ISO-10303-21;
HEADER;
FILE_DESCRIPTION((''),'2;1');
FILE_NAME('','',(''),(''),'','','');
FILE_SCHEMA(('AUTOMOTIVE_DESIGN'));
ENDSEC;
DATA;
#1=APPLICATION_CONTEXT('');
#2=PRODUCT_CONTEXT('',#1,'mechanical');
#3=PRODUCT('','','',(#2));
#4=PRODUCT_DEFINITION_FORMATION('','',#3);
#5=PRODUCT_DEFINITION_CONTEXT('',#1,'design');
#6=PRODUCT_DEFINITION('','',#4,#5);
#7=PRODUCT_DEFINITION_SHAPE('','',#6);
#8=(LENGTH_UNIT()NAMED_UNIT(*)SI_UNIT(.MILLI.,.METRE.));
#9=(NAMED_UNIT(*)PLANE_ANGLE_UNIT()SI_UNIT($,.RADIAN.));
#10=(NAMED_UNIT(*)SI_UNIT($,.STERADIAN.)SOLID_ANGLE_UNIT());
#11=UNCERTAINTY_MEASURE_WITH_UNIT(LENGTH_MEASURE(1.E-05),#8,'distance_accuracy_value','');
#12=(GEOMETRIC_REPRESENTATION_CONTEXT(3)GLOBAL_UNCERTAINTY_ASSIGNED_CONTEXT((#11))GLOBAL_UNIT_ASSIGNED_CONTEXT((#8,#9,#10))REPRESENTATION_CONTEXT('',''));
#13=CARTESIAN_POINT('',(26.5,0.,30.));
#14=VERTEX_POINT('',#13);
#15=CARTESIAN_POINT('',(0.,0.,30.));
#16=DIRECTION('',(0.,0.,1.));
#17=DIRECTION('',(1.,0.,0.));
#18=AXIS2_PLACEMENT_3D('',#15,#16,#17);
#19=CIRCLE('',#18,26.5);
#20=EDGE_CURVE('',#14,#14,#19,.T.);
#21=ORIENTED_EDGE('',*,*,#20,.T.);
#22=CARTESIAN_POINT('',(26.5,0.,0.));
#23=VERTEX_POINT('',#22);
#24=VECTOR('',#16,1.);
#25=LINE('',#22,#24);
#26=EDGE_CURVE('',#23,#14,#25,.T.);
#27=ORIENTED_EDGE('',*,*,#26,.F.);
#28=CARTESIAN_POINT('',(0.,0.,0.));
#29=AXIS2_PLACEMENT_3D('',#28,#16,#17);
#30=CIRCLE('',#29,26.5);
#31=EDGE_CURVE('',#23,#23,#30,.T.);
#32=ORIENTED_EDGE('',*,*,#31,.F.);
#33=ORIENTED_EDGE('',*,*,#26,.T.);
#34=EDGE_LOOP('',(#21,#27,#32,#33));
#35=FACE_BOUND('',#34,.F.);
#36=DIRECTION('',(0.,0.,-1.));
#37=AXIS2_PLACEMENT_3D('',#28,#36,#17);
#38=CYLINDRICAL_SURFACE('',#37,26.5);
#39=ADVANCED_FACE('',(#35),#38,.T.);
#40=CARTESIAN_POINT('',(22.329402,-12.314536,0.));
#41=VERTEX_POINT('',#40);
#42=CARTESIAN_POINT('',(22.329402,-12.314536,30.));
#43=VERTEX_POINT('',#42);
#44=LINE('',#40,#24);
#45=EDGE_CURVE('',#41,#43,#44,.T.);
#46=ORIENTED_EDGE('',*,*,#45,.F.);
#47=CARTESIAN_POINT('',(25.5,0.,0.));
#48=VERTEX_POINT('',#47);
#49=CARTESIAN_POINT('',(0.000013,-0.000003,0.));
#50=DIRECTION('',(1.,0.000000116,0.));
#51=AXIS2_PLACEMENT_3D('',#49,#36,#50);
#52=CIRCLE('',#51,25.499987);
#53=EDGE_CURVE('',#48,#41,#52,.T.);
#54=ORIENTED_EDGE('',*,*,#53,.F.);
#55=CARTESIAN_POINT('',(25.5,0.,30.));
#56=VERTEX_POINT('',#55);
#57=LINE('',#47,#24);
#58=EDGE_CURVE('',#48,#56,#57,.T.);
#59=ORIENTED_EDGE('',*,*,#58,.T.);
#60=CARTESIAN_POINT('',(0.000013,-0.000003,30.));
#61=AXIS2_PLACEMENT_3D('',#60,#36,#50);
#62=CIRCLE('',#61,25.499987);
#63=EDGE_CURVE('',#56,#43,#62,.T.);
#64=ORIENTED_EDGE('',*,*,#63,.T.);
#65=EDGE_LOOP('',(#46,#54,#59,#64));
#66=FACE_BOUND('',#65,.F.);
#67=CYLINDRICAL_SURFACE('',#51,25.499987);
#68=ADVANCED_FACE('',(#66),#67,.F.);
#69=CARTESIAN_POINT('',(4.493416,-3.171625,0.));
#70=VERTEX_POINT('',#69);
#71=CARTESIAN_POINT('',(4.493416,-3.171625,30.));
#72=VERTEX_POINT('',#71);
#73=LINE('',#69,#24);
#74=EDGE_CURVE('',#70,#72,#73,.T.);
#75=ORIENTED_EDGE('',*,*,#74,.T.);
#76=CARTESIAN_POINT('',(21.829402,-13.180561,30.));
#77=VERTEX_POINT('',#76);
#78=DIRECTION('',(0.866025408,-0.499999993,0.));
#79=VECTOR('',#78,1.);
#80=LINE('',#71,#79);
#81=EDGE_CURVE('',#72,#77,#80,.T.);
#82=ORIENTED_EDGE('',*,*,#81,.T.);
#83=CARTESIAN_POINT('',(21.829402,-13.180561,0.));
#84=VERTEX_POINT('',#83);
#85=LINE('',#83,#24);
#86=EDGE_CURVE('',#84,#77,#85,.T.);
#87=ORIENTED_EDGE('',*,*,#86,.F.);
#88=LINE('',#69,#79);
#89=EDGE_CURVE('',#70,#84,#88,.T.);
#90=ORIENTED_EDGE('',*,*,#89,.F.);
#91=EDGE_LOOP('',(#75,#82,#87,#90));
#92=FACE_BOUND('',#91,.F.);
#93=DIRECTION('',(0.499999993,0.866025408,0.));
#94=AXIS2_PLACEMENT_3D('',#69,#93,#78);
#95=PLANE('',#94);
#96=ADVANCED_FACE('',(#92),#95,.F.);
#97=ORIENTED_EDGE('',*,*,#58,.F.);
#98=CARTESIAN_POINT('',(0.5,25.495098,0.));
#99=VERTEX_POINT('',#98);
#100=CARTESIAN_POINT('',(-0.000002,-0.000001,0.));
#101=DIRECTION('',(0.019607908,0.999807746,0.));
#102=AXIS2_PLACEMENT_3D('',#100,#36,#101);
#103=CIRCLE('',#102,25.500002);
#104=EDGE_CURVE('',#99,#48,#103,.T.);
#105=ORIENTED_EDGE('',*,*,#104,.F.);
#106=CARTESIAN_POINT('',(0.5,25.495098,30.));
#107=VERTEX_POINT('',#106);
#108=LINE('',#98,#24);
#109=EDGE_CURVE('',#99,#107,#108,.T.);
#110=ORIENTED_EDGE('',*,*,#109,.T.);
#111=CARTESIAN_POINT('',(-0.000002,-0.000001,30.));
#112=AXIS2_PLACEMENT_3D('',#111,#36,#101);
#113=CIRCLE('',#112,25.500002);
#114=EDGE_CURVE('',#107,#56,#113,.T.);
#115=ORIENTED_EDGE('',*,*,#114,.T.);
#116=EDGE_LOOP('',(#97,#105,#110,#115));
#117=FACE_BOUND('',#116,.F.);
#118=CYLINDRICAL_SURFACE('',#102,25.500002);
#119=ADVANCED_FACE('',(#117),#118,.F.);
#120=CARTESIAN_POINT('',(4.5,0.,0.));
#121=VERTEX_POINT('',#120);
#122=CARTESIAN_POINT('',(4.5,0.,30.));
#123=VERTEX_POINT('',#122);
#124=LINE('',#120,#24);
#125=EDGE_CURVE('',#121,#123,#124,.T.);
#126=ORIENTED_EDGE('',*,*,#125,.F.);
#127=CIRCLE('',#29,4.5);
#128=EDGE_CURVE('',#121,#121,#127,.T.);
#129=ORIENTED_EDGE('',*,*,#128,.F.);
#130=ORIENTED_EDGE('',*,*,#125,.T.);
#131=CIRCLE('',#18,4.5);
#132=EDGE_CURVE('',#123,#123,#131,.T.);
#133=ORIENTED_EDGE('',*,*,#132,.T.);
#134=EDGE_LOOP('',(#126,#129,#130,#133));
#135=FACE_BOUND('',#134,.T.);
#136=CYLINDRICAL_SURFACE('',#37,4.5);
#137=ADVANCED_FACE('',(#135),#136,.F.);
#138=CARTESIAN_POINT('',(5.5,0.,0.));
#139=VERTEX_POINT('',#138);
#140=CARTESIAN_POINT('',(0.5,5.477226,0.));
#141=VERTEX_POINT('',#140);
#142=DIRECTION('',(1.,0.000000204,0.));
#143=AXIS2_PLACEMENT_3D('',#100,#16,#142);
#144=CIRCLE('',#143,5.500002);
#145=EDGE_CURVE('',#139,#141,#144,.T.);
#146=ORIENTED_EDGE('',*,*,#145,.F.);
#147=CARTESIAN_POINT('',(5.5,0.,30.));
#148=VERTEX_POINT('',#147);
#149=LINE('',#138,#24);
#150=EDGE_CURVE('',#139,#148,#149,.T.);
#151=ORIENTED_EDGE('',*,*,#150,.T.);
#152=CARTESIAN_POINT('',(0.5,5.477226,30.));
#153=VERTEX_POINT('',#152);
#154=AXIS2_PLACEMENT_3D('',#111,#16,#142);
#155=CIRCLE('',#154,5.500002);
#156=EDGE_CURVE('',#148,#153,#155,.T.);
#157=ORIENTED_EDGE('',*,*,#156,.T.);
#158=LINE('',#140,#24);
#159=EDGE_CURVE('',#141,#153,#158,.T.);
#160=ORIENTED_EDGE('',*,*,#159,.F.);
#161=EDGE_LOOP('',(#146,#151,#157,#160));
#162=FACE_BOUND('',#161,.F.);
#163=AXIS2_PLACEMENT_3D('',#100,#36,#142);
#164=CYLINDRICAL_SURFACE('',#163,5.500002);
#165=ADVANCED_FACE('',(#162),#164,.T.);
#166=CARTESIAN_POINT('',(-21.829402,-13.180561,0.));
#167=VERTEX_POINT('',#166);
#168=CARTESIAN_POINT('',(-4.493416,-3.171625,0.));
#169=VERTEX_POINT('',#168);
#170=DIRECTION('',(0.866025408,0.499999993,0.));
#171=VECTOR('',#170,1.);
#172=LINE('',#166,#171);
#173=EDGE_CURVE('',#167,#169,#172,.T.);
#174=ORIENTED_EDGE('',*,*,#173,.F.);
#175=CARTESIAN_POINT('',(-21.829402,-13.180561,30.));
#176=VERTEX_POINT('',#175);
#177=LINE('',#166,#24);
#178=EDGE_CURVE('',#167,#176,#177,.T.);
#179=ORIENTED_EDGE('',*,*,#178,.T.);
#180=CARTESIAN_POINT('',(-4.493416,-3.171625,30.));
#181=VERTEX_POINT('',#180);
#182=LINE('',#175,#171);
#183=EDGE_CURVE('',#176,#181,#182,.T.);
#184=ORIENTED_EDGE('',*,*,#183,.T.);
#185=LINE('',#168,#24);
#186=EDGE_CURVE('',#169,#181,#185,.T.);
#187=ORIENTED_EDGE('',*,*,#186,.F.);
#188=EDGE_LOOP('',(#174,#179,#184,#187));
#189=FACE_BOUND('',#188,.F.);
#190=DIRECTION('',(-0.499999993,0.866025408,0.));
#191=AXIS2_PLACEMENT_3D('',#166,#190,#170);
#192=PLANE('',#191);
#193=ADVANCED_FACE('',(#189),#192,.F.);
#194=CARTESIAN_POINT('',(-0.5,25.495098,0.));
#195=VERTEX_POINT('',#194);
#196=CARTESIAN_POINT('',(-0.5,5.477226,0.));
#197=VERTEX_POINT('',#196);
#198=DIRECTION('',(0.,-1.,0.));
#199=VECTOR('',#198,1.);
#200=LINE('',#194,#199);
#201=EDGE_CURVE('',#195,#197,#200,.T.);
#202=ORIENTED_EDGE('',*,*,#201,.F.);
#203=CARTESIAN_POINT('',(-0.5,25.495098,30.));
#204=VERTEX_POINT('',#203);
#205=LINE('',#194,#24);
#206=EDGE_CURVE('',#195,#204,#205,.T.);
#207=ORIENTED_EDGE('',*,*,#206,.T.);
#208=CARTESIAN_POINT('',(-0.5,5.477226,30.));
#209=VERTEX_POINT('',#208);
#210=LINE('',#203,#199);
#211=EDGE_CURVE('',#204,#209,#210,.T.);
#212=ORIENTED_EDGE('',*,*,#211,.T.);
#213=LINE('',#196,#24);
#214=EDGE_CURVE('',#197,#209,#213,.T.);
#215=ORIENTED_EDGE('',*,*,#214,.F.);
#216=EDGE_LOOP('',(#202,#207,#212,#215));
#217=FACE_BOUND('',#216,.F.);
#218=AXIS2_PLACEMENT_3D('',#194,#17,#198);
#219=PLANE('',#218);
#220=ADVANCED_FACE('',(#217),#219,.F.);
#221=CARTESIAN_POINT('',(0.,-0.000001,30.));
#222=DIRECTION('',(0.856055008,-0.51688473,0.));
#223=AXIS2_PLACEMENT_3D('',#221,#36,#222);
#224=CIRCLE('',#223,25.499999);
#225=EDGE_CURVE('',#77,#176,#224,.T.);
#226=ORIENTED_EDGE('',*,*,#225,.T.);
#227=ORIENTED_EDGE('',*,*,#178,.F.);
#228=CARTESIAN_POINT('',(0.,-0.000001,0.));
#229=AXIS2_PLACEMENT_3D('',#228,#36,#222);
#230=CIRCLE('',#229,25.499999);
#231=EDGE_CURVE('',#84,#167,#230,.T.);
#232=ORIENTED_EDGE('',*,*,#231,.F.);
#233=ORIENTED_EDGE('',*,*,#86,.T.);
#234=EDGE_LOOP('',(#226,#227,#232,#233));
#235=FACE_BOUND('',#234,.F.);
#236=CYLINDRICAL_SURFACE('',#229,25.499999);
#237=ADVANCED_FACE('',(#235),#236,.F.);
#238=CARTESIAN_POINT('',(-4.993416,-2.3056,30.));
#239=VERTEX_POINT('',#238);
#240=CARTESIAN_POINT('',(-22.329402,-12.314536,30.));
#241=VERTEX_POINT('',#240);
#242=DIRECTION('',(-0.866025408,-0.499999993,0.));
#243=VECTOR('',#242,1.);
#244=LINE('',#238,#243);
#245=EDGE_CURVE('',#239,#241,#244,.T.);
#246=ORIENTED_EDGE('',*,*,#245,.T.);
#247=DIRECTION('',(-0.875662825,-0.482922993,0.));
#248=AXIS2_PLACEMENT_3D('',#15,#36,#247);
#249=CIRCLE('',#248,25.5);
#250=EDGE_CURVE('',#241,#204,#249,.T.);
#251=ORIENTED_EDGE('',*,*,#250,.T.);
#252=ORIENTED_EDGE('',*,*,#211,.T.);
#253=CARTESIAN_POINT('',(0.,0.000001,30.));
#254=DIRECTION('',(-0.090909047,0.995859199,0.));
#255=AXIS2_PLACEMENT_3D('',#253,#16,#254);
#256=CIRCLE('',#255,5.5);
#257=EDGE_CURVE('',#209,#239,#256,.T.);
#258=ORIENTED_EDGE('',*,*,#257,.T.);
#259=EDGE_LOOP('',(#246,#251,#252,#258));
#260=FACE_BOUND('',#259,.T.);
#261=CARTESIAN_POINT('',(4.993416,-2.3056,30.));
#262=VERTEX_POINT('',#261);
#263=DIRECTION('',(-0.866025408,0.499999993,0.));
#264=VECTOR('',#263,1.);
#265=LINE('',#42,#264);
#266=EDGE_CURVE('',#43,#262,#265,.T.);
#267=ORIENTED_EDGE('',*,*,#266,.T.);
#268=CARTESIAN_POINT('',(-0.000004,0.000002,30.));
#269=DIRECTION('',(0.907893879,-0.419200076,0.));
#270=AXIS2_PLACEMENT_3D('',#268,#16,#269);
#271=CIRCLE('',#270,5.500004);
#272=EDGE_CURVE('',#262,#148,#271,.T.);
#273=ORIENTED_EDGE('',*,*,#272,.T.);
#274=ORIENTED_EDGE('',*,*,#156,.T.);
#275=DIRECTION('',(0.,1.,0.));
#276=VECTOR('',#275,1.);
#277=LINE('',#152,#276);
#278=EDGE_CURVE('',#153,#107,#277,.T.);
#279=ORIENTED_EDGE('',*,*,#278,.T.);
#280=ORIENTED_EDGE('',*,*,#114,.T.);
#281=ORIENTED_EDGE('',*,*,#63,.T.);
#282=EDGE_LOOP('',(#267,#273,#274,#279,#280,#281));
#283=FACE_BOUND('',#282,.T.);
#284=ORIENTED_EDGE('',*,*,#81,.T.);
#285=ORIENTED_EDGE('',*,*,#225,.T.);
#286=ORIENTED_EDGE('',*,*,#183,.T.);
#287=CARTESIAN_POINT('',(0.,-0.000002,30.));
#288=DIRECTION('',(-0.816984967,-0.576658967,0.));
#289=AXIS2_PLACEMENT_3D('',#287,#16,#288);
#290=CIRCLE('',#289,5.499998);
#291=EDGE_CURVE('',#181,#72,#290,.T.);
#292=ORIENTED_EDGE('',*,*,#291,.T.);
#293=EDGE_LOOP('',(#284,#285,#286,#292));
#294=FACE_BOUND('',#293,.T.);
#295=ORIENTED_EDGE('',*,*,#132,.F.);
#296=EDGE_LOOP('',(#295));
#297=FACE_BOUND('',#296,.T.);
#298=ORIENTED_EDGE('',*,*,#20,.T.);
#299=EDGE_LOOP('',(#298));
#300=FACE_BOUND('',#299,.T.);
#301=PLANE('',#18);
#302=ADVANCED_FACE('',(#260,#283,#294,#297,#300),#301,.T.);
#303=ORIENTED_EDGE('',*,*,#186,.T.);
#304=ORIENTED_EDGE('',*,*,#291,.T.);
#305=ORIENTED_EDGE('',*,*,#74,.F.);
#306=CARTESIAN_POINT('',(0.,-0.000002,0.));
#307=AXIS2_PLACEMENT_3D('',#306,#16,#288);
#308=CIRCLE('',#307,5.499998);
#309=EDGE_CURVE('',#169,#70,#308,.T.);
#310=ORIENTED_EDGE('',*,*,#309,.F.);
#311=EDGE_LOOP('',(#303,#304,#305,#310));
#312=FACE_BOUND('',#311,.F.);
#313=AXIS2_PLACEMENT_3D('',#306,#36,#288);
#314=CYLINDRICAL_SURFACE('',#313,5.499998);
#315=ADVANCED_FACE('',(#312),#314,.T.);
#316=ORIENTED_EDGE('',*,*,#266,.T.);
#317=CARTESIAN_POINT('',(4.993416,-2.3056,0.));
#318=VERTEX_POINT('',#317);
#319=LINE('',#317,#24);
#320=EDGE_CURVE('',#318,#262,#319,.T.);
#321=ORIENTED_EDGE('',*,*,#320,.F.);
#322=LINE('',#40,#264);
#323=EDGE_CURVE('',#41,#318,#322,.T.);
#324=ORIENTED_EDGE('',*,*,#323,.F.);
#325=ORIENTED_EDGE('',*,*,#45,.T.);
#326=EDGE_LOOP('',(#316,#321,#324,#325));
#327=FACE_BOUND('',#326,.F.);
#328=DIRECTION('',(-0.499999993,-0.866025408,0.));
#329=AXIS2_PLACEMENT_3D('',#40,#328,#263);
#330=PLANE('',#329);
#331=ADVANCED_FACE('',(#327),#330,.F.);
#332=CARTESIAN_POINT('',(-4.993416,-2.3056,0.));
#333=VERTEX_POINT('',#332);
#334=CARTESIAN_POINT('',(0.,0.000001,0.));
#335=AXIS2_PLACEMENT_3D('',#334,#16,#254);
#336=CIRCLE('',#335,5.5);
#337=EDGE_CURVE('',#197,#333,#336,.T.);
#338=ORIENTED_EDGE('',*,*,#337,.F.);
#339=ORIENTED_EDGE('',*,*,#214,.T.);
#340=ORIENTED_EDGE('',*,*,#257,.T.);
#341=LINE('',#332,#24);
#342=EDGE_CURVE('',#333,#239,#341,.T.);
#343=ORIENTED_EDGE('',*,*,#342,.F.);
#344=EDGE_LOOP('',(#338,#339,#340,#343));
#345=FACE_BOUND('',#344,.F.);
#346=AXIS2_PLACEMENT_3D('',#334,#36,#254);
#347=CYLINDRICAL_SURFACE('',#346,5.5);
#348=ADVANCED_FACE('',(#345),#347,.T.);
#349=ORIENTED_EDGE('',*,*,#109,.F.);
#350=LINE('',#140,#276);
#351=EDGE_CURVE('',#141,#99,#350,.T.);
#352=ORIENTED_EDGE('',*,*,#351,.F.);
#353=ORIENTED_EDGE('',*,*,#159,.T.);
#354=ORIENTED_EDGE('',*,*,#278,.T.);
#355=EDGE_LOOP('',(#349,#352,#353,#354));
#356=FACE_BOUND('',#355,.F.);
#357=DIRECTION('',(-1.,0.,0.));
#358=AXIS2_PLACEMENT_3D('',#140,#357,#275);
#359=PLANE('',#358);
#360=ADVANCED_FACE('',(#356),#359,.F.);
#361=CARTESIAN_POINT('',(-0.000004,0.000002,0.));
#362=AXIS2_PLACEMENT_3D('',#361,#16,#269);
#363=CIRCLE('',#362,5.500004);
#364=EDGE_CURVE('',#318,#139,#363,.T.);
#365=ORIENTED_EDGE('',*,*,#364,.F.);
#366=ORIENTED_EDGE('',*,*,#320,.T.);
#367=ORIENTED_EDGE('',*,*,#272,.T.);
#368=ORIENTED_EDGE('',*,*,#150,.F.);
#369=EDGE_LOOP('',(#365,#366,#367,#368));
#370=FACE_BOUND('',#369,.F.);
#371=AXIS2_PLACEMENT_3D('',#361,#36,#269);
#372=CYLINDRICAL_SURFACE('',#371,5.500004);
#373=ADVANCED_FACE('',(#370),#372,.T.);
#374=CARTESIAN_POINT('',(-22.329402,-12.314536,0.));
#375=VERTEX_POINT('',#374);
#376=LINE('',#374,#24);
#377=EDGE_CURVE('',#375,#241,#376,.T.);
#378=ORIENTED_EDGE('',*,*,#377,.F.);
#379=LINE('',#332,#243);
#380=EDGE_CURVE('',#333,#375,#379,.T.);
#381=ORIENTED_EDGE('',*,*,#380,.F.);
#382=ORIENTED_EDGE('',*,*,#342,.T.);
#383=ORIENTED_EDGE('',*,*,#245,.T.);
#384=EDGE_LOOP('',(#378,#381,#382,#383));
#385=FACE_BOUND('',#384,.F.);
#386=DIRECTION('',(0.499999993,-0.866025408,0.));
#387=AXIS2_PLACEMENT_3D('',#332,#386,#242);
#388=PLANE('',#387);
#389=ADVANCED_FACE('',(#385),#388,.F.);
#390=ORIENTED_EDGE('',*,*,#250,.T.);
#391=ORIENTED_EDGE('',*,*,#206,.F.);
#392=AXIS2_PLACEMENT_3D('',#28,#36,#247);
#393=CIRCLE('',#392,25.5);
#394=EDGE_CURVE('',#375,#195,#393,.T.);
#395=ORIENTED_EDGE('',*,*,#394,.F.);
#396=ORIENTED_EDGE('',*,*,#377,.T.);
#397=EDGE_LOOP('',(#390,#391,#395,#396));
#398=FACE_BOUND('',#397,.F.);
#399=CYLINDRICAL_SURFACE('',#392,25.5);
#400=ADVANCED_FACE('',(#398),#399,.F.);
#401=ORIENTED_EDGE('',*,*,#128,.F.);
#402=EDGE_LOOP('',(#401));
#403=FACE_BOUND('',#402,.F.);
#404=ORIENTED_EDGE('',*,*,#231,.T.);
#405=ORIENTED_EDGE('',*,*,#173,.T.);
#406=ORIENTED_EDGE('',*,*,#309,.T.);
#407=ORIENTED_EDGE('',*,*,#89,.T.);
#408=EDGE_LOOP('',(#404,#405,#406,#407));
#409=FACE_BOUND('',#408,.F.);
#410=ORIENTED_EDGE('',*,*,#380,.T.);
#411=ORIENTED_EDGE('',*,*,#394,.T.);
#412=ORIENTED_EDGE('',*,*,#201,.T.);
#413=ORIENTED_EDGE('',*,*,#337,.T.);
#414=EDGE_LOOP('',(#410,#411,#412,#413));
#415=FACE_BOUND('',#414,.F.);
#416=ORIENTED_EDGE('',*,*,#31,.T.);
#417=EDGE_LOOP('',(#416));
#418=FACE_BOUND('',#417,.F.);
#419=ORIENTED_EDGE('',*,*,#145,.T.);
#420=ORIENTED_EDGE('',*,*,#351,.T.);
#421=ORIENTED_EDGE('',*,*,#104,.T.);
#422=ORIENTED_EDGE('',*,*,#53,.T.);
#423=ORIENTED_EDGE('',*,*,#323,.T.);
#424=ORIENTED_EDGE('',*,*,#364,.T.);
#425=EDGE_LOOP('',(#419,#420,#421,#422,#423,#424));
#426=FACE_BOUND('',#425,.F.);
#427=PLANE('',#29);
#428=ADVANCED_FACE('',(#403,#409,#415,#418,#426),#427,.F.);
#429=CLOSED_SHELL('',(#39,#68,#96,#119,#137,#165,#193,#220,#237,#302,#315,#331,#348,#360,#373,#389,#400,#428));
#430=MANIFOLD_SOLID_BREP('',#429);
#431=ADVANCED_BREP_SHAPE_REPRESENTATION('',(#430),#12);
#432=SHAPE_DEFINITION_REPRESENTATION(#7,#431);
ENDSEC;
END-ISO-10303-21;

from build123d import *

# Parameters (mm, degrees)
F0_R     = 26.5
F0_R_2   = 4.5
F1_DEPTH = 30


with BuildPart() as f1:
    # F0 (on Top) → F1 (new body)
    with BuildSketch(Plane.XY):
        Circle(F0_R)
        with BuildLine():
            ThreePointArc((0.5, 25.495098), (18.207141, 17.853571), (25.5, 0))
            ThreePointArc((25.5, 0), (24.694633, -6.358075), (22.329402, -12.314536))
            ThreePointArc((22.329402, -12.314536), (22.083648, -12.75), (21.829402, -13.180561))
            ThreePointArc((21.829402, -13.180561), (0, -25.5), (-21.829402, -13.180561))
            ThreePointArc((-21.829402, -13.180561), (-22.083648, -12.75), (-22.329402, -12.314536))
            ThreePointArc((-22.329402, -12.314536), (-22.083648, 12.75), (-0.5, 25.495098))
            ThreePointArc((-0.5, 25.495098), (0, 25.5), (0.5, 25.495098))
        make_face(mode=Mode.SUBTRACT)
        with BuildLine():
            ThreePointArc((5.5, 0), (4.062019, 3.708099), (0.5, 5.477226))
            ThreePointArc((0.5, 5.477226), (0, 5.5), (-0.5, 5.477226))
            ThreePointArc((-0.5, 5.477226), (-4.76314, 2.75), (-4.993416, -2.3056))
            ThreePointArc((-4.993416, -2.3056), (-4.76314, -2.75), (-4.493416, -3.171625))
            ThreePointArc((-4.493416, -3.171625), (0, -5.5), (4.493416, -3.171625))
            ThreePointArc((4.493416, -3.171625), (4.76314, -2.75), (4.993416, -2.3056))
            ThreePointArc((4.993416, -2.3056), (5.371861, -1.180299), (5.5, 0))
        make_face()
        Circle(F0_R_2, mode=Mode.SUBTRACT)
        with BuildLine():
            Line((0.5, 5.477226), (0.5, 25.495098))
            ThreePointArc((0.5, 25.495098), (0, 25.5), (-0.5, 25.495098))
            Line((-0.5, 25.495098), (-0.5, 5.477226))
            ThreePointArc((-0.5, 5.477226), (0, 5.5), (0.5, 5.477226))
        make_face()
        with BuildLine():
            Line((-4.993416, -2.3056), (-22.329402, -12.314536))
            ThreePointArc((-22.329402, -12.314536), (-22.083648, -12.75), (-21.829402, -13.180561))
            Line((-21.829402, -13.180561), (-4.493416, -3.171625))
            ThreePointArc((-4.493416, -3.171625), (-4.76314, -2.75), (-4.993416, -2.3056))
        make_face()
        with BuildLine():
            ThreePointArc((21.829402, -13.180561), (22.083648, -12.75), (22.329402, -12.314536))
            Line((22.329402, -12.314536), (4.993416, -2.3056))
            ThreePointArc((4.993416, -2.3056), (4.76314, -2.75), (4.493416, -3.171625))
            Line((4.493416, -3.171625), (21.829402, -13.180561))
        make_face()
    extrude(amount=F1_DEPTH)


solid = f1.part
